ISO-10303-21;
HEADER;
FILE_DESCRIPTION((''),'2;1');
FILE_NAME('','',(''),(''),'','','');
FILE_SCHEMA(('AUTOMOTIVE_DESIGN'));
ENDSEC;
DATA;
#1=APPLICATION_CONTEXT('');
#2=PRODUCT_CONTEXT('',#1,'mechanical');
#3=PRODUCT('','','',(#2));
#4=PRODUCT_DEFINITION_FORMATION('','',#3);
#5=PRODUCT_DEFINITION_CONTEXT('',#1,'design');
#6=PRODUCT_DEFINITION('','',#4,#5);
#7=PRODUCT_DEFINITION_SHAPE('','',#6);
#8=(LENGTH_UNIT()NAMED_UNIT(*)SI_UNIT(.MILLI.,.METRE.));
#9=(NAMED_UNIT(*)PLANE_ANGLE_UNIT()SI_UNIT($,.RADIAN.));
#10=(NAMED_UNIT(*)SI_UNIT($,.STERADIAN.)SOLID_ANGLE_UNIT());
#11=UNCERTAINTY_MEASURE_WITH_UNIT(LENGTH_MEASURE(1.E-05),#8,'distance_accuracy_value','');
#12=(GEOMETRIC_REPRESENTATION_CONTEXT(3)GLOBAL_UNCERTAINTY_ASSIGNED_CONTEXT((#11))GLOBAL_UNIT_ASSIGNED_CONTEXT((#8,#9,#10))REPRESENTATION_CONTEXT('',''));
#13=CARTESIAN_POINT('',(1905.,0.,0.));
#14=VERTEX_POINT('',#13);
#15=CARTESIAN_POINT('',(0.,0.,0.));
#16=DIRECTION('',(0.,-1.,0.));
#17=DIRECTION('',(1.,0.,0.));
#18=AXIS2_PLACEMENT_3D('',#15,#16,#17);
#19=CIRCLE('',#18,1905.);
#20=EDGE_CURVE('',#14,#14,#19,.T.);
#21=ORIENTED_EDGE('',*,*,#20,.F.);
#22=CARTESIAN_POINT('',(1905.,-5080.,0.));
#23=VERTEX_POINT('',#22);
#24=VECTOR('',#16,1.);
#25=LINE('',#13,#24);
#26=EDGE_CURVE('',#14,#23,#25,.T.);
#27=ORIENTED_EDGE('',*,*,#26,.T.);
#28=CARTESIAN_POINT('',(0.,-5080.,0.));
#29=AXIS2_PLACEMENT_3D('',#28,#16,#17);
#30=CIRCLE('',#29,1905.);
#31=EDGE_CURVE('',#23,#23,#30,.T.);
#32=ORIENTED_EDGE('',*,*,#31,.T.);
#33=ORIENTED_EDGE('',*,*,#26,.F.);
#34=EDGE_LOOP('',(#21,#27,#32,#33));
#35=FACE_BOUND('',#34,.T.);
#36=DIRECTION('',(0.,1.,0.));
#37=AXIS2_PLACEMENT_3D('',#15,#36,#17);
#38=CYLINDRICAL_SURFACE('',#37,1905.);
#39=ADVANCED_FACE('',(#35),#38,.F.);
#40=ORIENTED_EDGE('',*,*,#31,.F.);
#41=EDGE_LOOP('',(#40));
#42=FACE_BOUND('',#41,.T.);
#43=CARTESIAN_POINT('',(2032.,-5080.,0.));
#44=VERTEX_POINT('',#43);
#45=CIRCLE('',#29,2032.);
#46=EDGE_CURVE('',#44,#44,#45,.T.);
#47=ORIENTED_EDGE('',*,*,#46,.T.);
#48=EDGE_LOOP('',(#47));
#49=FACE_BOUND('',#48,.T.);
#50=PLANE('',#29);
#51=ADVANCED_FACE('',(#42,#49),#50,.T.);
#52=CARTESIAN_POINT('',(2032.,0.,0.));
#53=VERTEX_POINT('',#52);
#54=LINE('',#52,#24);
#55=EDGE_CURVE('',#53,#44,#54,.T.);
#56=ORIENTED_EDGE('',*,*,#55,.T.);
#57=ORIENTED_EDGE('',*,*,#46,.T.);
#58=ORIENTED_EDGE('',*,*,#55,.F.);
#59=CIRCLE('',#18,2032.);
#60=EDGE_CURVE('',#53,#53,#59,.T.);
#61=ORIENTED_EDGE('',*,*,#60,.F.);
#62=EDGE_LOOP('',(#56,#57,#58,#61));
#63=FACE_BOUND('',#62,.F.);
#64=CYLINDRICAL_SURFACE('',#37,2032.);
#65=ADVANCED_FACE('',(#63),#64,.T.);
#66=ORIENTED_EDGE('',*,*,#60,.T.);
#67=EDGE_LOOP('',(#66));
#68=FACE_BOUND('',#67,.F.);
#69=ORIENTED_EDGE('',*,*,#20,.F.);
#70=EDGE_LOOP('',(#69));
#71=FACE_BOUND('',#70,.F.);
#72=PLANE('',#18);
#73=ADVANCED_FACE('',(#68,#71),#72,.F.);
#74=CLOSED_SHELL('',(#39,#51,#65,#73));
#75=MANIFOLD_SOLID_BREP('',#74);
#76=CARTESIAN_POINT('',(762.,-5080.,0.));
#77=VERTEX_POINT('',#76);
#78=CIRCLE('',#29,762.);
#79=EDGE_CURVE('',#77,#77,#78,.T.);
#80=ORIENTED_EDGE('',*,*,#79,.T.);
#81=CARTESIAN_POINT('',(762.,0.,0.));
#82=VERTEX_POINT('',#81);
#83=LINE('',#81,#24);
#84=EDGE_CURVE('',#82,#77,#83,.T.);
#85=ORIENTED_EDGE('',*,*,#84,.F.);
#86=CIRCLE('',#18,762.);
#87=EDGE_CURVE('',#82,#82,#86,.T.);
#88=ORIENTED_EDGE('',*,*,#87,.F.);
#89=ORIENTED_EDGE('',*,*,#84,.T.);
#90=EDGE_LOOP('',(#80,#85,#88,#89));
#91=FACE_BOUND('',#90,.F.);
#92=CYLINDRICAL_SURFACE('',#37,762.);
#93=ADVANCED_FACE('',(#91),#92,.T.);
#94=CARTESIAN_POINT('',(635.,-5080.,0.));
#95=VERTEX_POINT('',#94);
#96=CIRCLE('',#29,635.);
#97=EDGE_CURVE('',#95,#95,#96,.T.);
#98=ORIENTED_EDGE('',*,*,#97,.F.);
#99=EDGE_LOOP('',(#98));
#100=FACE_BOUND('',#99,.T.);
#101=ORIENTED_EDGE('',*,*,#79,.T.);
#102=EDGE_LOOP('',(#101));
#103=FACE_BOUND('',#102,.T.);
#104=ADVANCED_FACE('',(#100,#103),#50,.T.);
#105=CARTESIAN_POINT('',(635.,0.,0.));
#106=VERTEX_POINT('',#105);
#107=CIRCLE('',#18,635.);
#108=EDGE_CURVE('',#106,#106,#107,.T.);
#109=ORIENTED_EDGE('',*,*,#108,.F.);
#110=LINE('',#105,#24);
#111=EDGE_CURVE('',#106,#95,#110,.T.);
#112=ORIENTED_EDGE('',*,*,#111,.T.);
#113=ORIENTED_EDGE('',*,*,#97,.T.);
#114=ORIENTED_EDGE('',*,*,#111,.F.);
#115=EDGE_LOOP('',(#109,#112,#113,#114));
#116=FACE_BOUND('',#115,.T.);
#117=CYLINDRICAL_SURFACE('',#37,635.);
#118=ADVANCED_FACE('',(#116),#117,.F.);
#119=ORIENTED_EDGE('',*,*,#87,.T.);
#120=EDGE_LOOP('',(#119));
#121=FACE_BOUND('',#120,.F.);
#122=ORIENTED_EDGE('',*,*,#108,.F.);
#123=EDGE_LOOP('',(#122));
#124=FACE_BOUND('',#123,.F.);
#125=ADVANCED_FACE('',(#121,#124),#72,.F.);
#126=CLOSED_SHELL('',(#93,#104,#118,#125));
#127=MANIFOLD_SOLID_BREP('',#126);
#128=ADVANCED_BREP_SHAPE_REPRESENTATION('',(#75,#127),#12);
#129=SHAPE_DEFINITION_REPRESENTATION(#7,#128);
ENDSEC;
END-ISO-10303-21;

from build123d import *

# Parameters (mm, degrees)
F0_R     = 2032
F0_R_2   = 1905
F0_R_3   = 762
F0_R_4   = 635
F1_DEPTH = 5080


with BuildPart() as f1:
    # F0 (on Front) → F1 (new body)
    with BuildSketch(Plane.XZ):
        Circle(F0_R)
        Circle(F0_R_2, mode=Mode.SUBTRACT)
        Circle(F0_R_3)
        Circle(F0_R_4, mode=Mode.SUBTRACT)
    extrude(amount=F1_DEPTH)


solid = f1.part
